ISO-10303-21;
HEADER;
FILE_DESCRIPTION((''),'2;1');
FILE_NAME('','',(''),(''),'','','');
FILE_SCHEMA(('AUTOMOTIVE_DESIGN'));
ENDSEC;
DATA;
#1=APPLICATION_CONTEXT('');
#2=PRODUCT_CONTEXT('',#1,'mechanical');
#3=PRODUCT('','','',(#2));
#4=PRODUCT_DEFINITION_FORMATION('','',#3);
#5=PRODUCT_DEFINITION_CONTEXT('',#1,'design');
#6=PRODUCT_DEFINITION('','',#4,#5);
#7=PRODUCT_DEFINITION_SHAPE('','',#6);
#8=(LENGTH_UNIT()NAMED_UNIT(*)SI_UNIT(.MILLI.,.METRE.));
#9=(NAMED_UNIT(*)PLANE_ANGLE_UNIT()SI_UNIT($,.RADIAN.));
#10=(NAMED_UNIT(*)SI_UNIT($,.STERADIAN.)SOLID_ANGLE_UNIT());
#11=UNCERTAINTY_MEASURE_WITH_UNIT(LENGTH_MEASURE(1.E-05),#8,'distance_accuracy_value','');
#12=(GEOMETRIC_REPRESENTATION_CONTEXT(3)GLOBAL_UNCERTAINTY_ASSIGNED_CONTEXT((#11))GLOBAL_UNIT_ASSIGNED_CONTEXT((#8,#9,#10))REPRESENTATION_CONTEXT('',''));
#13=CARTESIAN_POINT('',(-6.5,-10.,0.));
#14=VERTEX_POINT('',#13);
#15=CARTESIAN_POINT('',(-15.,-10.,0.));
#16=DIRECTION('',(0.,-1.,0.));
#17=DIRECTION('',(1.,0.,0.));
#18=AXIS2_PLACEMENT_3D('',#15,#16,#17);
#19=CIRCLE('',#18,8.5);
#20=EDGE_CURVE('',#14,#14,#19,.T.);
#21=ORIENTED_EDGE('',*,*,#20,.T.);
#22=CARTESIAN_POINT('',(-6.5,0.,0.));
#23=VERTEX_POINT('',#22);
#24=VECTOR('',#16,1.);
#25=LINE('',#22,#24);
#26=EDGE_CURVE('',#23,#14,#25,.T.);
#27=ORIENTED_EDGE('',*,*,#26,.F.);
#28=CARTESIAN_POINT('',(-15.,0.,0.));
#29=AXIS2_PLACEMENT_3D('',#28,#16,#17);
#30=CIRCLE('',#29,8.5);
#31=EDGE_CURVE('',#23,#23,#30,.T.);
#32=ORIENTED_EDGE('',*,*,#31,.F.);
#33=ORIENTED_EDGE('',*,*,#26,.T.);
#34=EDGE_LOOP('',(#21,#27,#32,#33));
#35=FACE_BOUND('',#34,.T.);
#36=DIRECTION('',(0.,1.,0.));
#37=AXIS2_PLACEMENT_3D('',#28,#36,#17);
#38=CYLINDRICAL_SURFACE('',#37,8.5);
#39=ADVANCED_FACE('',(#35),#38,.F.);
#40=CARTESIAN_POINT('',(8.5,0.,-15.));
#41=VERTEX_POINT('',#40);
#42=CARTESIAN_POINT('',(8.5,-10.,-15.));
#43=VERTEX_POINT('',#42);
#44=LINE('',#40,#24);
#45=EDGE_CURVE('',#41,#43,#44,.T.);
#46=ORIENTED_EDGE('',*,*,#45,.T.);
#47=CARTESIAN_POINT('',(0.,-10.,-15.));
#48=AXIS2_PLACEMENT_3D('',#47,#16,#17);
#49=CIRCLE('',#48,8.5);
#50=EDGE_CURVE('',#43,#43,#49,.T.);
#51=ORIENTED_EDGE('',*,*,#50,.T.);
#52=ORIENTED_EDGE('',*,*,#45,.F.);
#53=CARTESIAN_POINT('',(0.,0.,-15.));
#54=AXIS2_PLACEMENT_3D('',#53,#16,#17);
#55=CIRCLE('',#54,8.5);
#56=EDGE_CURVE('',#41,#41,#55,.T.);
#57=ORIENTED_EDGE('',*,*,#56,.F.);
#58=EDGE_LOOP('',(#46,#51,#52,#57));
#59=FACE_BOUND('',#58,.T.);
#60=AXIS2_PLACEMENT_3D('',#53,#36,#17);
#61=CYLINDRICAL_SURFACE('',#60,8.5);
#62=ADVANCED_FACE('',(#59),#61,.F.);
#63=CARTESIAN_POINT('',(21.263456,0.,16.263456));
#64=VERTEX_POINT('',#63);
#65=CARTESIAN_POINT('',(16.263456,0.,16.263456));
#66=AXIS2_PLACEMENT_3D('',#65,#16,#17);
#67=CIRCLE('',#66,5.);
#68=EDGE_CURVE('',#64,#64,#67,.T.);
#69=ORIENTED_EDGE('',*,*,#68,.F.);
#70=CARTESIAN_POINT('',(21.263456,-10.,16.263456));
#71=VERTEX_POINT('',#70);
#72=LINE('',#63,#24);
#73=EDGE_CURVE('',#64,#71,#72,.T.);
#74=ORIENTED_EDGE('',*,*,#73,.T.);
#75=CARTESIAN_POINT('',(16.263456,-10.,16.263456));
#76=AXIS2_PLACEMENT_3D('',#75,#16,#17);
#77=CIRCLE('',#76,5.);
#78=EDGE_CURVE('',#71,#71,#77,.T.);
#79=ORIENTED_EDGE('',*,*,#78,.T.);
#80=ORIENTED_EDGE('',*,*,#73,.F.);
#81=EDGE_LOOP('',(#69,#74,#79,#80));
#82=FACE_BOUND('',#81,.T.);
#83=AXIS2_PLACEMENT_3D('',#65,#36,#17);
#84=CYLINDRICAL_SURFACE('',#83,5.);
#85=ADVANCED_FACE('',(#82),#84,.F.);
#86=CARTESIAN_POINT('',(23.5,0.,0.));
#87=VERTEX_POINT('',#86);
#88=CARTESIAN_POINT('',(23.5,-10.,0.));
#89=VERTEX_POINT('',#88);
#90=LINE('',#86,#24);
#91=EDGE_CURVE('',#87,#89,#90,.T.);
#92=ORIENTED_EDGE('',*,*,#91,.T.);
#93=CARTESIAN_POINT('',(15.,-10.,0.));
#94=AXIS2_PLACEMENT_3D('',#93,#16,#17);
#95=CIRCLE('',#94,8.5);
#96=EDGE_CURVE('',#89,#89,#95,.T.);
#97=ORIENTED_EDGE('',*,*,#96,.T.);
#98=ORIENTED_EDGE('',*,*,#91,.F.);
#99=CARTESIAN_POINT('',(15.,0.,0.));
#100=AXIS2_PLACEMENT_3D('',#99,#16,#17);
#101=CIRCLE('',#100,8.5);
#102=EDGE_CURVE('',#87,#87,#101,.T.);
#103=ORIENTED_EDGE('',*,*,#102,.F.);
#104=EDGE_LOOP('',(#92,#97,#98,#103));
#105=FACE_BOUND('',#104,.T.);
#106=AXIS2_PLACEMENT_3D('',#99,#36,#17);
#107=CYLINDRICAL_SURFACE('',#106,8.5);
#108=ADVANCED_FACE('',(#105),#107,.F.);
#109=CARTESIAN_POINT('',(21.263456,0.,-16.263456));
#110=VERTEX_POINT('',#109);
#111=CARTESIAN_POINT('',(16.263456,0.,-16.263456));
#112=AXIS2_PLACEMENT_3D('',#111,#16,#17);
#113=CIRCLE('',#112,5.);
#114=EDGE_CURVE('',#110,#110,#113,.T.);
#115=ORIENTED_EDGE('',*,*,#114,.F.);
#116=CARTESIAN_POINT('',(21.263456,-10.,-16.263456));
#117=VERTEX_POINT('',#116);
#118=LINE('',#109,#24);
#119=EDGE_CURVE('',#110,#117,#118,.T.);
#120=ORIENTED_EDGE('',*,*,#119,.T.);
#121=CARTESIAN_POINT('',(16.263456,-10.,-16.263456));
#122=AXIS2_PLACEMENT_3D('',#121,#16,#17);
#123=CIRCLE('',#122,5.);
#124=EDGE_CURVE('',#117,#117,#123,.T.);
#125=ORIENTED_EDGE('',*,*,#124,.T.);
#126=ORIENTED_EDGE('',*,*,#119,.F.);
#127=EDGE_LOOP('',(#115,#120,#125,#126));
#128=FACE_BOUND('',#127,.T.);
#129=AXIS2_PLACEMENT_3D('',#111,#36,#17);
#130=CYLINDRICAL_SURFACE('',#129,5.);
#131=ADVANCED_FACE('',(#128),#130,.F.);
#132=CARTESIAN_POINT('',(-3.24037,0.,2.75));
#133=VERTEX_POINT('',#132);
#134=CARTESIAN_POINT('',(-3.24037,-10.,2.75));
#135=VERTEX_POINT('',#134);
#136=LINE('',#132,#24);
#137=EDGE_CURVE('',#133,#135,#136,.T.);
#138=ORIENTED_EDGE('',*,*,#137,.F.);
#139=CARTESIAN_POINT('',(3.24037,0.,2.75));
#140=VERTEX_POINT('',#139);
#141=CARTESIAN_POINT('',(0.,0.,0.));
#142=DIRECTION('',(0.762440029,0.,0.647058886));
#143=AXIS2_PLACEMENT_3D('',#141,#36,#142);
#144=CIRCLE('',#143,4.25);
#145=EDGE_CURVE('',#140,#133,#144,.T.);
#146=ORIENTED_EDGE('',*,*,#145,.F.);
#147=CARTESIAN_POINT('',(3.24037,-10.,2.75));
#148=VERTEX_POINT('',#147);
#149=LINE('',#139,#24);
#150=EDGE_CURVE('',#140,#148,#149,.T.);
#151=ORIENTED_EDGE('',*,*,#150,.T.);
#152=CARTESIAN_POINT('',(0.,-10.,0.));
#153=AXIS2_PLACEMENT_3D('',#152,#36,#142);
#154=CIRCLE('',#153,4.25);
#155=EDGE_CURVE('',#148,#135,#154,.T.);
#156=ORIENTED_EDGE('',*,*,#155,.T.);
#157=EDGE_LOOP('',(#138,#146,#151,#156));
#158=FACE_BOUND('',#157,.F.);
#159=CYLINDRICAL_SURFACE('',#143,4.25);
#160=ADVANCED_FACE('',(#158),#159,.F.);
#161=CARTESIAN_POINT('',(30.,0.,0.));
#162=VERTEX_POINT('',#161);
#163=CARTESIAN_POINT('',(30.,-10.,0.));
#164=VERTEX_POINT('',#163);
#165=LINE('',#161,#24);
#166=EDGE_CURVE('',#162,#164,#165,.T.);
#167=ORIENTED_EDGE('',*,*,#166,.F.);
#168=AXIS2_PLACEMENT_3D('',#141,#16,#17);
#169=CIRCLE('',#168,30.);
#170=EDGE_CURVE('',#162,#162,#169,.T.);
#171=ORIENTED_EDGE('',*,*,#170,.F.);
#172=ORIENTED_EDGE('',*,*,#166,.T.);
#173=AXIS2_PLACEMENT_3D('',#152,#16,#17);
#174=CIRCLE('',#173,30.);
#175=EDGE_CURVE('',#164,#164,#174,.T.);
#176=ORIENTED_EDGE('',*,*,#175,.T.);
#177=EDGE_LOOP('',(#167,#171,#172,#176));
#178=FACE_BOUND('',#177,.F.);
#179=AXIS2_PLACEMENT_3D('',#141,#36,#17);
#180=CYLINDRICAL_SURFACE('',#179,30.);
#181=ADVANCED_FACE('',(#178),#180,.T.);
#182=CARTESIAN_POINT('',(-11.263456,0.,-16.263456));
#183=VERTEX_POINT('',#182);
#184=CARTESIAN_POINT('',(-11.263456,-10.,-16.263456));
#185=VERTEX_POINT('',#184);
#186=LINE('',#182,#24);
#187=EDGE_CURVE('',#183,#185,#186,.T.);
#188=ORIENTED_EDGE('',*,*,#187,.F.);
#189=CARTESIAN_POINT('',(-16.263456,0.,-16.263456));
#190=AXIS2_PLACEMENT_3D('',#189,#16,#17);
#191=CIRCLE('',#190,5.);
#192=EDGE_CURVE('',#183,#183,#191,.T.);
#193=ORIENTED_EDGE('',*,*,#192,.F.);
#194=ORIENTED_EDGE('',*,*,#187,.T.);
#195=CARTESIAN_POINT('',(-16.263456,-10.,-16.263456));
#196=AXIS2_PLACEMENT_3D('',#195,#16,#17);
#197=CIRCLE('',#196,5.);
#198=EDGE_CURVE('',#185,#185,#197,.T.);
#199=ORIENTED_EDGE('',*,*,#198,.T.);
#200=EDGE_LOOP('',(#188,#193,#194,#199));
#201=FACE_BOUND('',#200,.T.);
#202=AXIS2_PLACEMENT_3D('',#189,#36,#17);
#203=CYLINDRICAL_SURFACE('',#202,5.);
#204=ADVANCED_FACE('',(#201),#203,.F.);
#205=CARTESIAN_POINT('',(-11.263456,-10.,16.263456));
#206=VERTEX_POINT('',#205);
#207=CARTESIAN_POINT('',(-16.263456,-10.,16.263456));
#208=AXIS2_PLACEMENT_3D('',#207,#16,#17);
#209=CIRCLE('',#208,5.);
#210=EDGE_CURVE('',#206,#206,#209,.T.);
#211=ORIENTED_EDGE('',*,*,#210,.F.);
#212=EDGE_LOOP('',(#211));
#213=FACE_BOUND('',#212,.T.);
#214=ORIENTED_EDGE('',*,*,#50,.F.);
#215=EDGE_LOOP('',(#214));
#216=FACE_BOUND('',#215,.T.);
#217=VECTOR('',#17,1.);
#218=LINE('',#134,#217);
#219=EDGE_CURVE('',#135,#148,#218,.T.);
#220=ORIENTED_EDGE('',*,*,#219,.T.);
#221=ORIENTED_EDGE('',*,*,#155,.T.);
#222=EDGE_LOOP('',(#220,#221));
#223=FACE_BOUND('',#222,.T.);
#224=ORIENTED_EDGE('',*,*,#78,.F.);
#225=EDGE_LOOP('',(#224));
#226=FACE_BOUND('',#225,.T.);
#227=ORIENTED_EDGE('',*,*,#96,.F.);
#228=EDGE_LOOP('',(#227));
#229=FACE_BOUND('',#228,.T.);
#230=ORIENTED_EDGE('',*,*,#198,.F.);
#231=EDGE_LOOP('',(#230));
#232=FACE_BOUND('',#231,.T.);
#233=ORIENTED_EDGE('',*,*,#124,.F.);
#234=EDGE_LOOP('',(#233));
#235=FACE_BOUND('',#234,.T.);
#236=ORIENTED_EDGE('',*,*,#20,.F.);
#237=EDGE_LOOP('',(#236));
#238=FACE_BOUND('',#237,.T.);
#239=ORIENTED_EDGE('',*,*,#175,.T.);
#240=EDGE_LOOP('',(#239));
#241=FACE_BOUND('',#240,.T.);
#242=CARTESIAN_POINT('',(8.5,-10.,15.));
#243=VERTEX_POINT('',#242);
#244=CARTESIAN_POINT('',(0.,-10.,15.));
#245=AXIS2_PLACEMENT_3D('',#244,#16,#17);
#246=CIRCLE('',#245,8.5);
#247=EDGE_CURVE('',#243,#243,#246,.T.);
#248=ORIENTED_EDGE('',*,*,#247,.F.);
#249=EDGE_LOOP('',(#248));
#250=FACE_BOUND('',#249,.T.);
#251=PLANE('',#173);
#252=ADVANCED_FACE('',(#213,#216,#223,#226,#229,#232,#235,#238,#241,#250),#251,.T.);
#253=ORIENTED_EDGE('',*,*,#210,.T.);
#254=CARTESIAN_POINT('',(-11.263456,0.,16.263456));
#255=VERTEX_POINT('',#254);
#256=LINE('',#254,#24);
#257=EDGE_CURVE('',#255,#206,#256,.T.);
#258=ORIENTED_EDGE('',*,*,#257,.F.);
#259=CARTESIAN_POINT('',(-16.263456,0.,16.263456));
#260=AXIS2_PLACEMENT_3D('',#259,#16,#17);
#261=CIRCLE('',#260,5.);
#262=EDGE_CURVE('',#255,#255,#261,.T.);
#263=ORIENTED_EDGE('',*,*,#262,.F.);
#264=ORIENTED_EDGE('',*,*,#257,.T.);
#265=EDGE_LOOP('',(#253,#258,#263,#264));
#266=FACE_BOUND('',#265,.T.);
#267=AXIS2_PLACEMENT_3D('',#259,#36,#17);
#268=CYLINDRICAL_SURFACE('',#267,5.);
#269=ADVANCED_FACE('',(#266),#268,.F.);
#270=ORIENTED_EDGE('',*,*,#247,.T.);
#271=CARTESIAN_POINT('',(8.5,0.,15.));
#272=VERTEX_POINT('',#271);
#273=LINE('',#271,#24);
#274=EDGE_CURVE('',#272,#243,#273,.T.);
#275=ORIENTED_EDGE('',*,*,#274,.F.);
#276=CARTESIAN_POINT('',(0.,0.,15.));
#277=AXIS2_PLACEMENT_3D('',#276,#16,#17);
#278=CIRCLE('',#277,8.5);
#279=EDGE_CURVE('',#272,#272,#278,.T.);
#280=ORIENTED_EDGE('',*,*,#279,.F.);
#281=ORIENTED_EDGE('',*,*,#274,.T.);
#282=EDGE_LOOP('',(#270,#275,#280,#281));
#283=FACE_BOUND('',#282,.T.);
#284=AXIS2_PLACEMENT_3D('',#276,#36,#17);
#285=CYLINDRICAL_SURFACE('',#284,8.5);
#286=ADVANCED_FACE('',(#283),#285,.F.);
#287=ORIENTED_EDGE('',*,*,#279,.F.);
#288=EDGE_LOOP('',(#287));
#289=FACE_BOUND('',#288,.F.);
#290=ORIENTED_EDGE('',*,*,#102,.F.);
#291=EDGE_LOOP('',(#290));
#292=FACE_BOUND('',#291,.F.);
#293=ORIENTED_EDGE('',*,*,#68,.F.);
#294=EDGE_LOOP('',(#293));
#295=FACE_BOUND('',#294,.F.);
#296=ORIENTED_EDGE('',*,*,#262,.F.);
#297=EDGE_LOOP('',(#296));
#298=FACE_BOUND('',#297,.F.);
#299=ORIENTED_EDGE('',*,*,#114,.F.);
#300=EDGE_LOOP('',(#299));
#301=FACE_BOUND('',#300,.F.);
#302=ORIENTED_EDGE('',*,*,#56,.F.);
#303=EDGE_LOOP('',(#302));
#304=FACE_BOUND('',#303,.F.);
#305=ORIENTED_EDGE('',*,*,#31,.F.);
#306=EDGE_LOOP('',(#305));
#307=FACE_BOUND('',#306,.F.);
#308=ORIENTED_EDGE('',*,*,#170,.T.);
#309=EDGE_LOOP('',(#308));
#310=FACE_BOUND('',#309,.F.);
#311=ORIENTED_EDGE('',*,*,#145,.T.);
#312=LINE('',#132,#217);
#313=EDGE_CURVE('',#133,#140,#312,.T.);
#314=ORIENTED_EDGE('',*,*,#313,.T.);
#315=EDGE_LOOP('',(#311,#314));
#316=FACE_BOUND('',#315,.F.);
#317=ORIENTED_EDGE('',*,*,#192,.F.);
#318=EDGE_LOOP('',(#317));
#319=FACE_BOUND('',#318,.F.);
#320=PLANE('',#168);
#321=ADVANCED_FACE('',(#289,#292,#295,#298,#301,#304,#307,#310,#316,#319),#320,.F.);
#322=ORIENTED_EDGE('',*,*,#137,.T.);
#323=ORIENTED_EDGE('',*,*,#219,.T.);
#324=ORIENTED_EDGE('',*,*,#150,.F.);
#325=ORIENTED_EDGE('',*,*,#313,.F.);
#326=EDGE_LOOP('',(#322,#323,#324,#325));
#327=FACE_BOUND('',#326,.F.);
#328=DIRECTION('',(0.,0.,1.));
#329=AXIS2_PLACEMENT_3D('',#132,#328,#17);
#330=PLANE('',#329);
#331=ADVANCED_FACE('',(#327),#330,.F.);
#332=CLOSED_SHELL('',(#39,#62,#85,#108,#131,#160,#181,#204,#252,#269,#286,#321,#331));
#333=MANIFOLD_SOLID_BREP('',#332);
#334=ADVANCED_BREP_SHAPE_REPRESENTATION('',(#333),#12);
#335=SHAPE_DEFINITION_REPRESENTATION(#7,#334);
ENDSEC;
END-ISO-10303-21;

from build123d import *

# Parameters (mm, degrees)
F0_R     = 30
F0_R_2   = 5
F0_R_3   = 8.5
F1_DEPTH = 10


with BuildPart() as f1:
    # F0 (on Front) → F1 (new body)
    with BuildSketch(Plane.XZ):
        Circle(F0_R)
        with Locations((-16.263456, -16.263456)):
            Circle(F0_R_2, mode=Mode.SUBTRACT)
        with Locations((16.263456, -16.263456)):
            Circle(F0_R_2, mode=Mode.SUBTRACT)
        with Locations((0, -15)):
            Circle(F0_R_3, mode=Mode.SUBTRACT)
        with BuildLine():
            ThreePointArc((3.24037, 2.75), (0, -4.25), (-3.24037, 2.75))
            Line((-3.24037, 2.75), (3.24037, 2.75))
        make_face(mode=Mode.SUBTRACT)
        with Locations((-15, 0)):
            Circle(F0_R_3, mode=Mode.SUBTRACT)
        with Locations((-16.263456, 16.263456)):
            Circle(F0_R_2, mode=Mode.SUBTRACT)
        with Locations((15, 0)):
            Circle(F0_R_3, mode=Mode.SUBTRACT)
        with Locations((0, 15)):
            Circle(F0_R_3, mode=Mode.SUBTRACT)
        with Locations((16.263456, 16.263456)):
            Circle(F0_R_2, mode=Mode.SUBTRACT)
    extrude(amount=F1_DEPTH)


solid = f1.part
